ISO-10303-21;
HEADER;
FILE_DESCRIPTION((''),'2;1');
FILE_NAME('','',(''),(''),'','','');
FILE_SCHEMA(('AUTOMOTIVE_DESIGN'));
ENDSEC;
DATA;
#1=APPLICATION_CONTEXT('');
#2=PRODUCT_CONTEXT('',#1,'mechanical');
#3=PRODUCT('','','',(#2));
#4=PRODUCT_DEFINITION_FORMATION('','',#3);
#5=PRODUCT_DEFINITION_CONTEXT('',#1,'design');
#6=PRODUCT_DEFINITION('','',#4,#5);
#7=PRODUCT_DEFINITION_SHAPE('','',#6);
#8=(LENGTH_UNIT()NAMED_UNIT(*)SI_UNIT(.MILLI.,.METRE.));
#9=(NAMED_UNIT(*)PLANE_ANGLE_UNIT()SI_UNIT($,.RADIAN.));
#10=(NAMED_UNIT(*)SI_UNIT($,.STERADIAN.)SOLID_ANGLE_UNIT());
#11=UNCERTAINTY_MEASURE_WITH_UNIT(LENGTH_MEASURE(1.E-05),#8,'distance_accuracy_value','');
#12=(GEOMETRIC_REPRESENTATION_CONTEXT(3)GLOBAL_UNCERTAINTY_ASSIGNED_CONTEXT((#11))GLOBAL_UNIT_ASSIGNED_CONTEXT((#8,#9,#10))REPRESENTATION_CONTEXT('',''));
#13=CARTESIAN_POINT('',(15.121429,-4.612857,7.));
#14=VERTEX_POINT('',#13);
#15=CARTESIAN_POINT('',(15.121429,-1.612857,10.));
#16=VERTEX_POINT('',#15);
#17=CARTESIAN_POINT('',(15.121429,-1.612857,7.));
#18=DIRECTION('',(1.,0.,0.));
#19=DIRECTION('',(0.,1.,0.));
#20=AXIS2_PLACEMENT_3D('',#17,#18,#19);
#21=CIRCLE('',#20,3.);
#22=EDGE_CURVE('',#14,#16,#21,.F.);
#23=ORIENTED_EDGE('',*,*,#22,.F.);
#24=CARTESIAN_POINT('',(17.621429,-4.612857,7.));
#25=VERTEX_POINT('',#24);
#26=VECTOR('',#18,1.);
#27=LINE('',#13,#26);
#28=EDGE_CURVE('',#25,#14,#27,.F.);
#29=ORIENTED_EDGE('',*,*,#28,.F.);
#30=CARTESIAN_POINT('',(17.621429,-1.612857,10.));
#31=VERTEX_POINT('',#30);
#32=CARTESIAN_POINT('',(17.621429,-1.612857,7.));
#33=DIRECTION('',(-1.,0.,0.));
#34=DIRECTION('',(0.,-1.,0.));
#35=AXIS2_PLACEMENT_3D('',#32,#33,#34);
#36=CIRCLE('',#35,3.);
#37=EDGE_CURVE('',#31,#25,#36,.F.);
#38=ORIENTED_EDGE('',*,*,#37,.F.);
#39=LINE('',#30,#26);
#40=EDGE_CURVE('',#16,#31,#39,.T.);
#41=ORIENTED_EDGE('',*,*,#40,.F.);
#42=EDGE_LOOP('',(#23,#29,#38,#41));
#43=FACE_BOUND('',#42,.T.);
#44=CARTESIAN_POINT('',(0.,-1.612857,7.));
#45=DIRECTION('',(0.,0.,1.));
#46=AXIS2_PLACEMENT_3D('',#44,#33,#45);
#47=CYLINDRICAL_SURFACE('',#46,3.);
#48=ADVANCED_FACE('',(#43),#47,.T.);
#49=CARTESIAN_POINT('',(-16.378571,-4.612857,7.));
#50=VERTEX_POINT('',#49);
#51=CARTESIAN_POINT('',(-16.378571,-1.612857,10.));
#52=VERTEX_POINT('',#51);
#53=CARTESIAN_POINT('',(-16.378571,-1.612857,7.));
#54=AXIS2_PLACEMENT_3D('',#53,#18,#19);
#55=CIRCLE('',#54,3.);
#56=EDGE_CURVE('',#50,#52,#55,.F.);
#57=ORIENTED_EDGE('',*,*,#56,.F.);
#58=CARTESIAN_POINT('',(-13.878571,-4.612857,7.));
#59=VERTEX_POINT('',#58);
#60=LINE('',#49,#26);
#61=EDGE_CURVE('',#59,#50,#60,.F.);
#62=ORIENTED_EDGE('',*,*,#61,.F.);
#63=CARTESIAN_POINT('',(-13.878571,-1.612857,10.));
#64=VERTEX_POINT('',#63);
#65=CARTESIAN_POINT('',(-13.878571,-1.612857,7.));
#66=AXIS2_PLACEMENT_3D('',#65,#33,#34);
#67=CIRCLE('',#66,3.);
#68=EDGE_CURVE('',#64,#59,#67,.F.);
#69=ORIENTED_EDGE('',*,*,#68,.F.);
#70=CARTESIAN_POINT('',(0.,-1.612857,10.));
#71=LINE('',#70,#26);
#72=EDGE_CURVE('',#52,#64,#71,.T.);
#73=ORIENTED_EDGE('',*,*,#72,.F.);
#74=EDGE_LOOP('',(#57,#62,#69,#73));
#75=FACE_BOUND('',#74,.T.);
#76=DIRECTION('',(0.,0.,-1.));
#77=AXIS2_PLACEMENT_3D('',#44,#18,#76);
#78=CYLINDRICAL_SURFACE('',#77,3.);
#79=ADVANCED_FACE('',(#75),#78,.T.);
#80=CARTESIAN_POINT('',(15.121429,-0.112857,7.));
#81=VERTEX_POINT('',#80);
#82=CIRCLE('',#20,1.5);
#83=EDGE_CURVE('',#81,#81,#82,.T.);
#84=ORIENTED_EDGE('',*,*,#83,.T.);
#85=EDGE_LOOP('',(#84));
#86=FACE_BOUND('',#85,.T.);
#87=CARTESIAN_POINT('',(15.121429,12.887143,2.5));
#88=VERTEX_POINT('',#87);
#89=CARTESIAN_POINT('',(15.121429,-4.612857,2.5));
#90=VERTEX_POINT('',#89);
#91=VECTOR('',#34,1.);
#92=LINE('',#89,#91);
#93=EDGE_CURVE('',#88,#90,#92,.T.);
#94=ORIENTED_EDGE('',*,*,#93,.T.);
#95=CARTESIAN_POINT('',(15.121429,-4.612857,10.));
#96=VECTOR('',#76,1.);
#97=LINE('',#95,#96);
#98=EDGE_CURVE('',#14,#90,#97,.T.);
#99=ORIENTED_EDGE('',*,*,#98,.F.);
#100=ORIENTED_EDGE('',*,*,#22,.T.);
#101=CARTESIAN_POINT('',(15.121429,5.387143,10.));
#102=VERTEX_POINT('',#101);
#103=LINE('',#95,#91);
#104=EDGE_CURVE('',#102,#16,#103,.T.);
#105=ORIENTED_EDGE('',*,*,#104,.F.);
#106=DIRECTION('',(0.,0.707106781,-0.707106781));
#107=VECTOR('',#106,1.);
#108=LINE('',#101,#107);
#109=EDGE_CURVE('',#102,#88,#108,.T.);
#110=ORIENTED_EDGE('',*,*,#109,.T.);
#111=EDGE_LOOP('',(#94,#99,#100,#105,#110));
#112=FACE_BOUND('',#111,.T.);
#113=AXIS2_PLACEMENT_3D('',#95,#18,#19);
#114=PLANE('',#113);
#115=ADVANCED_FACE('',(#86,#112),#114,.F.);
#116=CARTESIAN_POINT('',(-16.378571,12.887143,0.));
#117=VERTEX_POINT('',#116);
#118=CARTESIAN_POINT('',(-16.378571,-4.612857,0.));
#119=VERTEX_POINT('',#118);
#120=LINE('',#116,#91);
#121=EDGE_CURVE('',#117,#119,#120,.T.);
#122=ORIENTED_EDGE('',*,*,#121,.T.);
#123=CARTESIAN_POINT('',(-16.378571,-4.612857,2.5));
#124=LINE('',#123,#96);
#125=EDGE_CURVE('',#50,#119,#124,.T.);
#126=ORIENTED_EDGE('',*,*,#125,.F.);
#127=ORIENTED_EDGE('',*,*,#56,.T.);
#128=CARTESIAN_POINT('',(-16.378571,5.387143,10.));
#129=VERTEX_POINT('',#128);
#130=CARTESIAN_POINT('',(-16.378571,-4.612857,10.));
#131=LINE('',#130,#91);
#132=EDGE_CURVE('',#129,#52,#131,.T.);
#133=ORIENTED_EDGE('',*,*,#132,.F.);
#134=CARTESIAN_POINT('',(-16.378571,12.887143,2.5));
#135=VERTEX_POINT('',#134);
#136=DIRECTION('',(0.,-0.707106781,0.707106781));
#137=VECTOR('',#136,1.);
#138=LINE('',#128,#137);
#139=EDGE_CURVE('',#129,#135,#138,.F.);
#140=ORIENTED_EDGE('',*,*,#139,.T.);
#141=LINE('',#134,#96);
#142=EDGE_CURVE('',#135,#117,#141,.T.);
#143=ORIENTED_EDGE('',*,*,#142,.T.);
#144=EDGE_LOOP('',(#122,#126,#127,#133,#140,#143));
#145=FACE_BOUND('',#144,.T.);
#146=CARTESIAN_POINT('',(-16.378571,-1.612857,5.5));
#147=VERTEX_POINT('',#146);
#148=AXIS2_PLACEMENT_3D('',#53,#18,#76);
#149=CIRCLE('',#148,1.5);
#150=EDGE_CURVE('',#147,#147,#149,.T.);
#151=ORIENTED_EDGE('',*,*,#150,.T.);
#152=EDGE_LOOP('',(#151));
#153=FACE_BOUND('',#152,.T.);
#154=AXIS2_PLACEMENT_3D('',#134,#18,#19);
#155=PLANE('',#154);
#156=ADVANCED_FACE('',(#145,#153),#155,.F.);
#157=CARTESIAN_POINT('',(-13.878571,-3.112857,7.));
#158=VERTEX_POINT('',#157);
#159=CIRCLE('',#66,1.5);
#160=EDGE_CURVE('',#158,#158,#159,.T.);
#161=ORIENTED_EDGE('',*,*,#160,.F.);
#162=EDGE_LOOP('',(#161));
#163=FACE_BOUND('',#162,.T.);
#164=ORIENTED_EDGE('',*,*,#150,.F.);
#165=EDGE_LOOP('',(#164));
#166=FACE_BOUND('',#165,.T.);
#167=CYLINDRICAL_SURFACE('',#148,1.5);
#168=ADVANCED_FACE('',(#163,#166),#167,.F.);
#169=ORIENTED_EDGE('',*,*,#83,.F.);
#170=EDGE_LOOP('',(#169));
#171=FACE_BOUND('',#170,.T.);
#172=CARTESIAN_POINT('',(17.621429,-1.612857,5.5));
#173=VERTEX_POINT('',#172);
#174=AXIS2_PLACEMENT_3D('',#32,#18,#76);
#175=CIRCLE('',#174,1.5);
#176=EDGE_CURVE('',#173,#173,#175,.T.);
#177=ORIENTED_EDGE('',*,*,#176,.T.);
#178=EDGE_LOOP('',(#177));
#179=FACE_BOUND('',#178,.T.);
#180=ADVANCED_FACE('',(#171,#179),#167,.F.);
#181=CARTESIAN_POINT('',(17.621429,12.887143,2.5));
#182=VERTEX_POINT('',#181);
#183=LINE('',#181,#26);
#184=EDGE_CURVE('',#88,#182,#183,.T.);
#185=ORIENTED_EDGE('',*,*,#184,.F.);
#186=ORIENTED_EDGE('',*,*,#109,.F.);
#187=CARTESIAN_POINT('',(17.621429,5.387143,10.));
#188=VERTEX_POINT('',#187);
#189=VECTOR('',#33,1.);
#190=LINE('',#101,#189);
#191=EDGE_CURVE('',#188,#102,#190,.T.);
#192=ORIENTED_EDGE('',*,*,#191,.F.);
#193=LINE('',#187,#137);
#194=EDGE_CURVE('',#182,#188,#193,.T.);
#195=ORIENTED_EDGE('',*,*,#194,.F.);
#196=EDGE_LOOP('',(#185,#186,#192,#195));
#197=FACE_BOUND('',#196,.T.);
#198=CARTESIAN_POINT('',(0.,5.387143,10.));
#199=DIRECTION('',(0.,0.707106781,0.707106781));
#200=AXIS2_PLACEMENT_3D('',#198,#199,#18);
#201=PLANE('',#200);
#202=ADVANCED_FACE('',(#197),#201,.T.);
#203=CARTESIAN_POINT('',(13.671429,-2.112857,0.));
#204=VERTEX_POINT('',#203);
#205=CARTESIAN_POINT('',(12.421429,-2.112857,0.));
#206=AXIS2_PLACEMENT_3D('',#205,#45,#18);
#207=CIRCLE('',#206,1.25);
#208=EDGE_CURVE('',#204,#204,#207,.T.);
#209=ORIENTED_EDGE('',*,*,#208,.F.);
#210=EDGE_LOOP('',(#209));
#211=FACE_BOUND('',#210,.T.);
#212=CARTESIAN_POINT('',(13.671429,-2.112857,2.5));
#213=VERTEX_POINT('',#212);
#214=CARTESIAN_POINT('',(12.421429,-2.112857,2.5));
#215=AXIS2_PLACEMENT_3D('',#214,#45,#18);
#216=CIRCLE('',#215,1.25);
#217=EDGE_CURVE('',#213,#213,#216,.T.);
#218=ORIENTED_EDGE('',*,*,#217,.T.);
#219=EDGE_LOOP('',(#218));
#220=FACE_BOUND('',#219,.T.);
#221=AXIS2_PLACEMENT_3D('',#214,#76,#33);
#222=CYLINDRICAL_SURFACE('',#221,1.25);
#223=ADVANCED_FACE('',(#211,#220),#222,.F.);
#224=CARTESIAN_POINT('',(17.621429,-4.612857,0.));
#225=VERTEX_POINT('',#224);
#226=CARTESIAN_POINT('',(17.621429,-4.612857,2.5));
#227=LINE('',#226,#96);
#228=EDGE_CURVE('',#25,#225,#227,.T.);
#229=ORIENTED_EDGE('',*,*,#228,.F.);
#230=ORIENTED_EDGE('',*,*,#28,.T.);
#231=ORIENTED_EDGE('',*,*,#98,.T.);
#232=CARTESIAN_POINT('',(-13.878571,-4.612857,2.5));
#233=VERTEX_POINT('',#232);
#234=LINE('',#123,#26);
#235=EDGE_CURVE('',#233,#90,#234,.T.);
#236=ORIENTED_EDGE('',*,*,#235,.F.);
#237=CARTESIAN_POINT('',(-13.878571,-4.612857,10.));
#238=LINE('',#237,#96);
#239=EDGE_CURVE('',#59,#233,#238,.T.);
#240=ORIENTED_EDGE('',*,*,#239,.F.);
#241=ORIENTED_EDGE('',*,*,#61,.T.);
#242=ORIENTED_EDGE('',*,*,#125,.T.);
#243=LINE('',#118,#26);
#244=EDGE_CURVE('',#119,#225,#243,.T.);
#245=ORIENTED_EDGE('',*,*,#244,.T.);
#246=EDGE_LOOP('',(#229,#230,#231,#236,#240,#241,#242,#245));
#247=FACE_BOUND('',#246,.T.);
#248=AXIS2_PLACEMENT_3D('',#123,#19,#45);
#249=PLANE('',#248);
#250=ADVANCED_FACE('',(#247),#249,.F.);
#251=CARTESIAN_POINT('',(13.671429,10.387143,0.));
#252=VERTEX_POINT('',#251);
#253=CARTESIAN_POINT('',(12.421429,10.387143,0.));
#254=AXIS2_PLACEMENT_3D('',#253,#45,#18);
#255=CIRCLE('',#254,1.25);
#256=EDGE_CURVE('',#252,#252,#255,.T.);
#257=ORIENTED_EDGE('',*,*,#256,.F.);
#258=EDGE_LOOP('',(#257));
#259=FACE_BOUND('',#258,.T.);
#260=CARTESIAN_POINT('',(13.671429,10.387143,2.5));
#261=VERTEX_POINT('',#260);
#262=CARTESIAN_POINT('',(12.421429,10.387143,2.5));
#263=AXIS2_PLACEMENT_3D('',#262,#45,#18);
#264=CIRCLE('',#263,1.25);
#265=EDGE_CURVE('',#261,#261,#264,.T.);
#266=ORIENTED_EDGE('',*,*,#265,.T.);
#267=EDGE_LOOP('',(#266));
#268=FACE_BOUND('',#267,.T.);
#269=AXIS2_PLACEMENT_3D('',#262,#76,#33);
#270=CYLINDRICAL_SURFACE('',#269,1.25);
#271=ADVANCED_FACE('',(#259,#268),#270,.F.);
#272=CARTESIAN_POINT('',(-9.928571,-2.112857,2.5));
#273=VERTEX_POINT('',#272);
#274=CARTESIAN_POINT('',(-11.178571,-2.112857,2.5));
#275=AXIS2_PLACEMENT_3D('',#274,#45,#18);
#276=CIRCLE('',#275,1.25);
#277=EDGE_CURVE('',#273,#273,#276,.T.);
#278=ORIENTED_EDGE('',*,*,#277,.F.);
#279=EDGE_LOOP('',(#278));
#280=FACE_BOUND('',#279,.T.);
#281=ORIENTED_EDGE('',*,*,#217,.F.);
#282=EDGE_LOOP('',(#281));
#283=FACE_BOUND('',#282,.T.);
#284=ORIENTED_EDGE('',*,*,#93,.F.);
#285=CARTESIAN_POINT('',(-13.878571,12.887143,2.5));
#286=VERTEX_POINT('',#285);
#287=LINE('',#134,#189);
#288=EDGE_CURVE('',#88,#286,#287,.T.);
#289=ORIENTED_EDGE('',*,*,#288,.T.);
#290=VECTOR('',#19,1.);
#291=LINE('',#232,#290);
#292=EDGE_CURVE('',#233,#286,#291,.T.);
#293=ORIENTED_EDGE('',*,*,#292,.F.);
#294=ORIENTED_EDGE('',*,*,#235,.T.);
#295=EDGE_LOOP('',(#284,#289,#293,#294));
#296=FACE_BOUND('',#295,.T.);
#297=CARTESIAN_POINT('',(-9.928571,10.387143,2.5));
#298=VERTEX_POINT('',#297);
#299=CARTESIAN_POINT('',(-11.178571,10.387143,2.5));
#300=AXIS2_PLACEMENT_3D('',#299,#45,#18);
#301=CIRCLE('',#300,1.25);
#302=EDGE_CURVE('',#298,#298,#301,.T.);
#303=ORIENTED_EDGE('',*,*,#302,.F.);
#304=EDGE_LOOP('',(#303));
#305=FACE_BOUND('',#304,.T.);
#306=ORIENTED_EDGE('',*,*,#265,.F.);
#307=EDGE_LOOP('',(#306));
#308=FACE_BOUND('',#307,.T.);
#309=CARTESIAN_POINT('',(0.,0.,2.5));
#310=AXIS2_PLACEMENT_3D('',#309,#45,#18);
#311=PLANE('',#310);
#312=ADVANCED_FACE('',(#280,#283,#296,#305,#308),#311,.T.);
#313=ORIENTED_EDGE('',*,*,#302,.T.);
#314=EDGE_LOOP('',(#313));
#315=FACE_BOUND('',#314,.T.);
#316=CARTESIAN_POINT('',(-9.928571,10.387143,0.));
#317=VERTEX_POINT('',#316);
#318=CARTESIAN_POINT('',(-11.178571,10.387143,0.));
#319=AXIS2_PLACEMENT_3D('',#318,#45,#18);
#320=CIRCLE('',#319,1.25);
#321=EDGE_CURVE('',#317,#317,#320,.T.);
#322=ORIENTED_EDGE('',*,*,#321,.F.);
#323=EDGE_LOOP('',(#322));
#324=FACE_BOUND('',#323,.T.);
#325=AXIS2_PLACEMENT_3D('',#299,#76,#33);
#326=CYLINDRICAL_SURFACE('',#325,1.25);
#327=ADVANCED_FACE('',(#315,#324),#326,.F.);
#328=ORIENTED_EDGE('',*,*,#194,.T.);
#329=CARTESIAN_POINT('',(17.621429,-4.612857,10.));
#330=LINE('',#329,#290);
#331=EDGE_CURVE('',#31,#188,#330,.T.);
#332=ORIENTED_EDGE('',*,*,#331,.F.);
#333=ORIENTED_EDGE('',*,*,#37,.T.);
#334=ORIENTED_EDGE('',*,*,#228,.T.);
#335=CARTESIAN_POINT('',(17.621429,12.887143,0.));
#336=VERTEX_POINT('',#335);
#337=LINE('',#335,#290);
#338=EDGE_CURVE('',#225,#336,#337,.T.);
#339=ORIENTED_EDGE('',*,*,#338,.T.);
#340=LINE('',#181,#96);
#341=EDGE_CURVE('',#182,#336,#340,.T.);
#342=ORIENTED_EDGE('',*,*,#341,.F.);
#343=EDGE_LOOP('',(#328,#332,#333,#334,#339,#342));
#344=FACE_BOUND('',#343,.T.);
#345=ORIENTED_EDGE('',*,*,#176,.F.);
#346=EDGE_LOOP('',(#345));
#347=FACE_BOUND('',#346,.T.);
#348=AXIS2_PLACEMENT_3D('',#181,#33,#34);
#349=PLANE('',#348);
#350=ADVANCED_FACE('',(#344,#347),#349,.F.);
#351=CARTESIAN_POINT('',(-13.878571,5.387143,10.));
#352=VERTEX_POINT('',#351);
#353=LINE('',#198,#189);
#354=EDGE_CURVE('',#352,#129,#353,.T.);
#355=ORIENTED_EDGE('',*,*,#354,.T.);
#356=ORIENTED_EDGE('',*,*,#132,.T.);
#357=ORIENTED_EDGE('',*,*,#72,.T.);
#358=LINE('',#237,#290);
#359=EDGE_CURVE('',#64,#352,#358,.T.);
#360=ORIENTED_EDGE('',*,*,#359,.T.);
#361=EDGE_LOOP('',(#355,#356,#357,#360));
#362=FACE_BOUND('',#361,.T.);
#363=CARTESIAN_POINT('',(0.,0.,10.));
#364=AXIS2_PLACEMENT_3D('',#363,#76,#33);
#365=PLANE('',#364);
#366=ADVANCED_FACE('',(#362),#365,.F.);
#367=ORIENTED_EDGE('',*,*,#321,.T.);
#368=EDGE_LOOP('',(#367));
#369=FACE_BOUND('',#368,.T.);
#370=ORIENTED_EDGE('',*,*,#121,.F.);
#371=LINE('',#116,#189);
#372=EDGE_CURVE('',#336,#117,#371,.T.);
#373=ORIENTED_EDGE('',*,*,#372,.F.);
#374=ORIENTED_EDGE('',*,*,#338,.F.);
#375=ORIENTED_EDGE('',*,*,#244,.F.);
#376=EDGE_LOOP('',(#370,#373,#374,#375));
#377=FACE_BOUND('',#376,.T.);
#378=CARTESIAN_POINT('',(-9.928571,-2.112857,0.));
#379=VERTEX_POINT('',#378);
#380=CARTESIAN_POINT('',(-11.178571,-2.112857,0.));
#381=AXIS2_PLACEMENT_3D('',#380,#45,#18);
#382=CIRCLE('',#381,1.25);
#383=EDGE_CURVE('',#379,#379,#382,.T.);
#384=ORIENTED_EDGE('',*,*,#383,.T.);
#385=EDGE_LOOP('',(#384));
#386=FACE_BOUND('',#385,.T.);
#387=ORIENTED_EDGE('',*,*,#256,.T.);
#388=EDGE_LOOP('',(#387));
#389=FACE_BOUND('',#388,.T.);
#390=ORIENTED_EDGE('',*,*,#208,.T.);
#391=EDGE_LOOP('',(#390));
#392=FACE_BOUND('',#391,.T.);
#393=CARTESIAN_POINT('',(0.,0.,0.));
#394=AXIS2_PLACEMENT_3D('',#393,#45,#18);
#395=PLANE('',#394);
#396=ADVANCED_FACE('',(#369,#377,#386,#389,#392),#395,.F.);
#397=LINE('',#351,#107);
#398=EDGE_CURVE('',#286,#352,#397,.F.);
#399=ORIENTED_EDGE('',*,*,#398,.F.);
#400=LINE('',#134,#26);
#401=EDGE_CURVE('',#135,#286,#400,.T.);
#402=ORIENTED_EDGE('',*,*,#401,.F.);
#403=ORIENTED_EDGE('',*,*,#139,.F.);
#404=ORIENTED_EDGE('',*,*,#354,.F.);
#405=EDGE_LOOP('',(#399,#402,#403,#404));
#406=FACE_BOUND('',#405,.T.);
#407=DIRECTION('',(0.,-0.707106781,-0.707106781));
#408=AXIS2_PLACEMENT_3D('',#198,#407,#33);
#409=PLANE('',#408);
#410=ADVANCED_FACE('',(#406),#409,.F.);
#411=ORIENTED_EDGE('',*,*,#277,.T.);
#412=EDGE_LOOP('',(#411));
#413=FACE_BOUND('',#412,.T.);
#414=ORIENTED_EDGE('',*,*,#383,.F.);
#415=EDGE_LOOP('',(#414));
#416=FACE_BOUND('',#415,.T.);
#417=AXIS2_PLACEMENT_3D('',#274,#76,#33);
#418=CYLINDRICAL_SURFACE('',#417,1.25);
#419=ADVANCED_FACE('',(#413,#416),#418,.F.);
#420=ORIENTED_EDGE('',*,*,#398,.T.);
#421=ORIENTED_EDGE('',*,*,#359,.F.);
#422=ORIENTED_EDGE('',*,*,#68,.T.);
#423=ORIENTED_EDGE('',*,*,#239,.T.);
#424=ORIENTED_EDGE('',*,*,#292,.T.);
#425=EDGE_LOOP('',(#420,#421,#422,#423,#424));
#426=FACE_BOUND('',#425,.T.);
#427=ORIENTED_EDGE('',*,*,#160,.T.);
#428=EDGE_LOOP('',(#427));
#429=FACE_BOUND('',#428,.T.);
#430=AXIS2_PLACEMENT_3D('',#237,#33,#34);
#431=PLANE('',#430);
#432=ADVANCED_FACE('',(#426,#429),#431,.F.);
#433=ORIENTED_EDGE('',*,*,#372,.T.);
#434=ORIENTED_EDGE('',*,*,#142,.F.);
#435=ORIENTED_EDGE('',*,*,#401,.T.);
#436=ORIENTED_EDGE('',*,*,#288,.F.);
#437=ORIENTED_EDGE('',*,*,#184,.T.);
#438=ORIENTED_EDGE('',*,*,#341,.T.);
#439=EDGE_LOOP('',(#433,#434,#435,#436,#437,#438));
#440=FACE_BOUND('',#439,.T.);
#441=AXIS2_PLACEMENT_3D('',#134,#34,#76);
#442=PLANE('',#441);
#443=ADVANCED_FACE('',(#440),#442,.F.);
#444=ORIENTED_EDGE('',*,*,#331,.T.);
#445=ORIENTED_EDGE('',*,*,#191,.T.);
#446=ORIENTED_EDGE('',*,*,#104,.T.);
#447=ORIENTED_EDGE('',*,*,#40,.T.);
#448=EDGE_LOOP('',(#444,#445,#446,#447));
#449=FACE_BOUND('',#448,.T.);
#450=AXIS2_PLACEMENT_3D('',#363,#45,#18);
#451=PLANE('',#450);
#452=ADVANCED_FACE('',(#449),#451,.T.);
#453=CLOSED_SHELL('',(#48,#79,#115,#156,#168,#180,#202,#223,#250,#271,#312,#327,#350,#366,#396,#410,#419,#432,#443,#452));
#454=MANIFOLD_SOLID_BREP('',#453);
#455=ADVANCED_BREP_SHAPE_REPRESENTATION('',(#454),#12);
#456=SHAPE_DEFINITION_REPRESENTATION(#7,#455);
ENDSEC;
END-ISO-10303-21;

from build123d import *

# Parameters (mm, degrees)
SKETCH1_W           = 34
SKETCH1_H           = 17.5
SKETCH1_R           = 1.25
BOSS_EXTRUDE1_DEPTH = 2.5
SKETCH2_W           = 2.5
SKETCH2_H           = 17.5
BOSS_EXTRUDE2_DEPTH = 7.5
CHAMFER1_SIZE       = 7.5
FILLET1_R           = 3
SKETCH3_R           = 1.5
CUT_EXTRUDE1_DEPTH  = 35


with BuildPart() as part:
    # Sketch1 → Boss-Extrude1 (new body)
    with BuildSketch(Plane.XY):
        with Locations((0.621428571, 4.137142857)):
            Rectangle(SKETCH1_W, SKETCH1_H)
        with Locations((-11.178571429, -2.112857143)):
            Circle(SKETCH1_R, mode=Mode.SUBTRACT)
        with Locations((12.421428571, -2.112857143)):
            Circle(SKETCH1_R, mode=Mode.SUBTRACT)
        with Locations((12.421428571, 10.387142857)):
            Circle(SKETCH1_R, mode=Mode.SUBTRACT)
        with Locations((-11.178571429, 10.387142857)):
            Circle(SKETCH1_R, mode=Mode.SUBTRACT)
    extrude(amount=BOSS_EXTRUDE1_DEPTH)

    # Sketch2 → Boss-Extrude2 (add)
    with BuildSketch(Plane.XY.offset(2.5)):
        with Locations((-15.128571429, 4.137142857)):
            Rectangle(SKETCH2_W, SKETCH2_H)
        with Locations((16.371428571, 4.137142857)):
            Rectangle(SKETCH2_W, SKETCH2_H)
    extrude(amount=BOSS_EXTRUDE2_DEPTH)

    # Chamfer1
    chamfer1_edges = [part.edges().sort_by_distance(p)[0] for p in [
        (16.371428571, 12.887142857, 10),
        (-15.128571429, 12.887142857, 10),
    ]]
    chamfer(chamfer1_edges, length=CHAMFER1_SIZE)

    # Fillet1
    fillet1_edges = [part.edges().sort_by_distance(p)[0] for p in [
        (-15.128571429, -4.612857143, 10),
        (16.371428571, -4.612857143, 10),
    ]]
    fillet(fillet1_edges, radius=FILLET1_R)

    # Sketch3 → Cut-Extrude1 (cut, through all)
    with BuildSketch(Plane(origin=(17.621428571, 0, 0), x_dir=(0, 0, -1), z_dir=(1, 0, 0))):
        with Locations((-7, -1.612857143)):
            Circle(SKETCH3_R)
    extrude(amount=-CUT_EXTRUDE1_DEPTH, mode=Mode.SUBTRACT)


solid = part.part
